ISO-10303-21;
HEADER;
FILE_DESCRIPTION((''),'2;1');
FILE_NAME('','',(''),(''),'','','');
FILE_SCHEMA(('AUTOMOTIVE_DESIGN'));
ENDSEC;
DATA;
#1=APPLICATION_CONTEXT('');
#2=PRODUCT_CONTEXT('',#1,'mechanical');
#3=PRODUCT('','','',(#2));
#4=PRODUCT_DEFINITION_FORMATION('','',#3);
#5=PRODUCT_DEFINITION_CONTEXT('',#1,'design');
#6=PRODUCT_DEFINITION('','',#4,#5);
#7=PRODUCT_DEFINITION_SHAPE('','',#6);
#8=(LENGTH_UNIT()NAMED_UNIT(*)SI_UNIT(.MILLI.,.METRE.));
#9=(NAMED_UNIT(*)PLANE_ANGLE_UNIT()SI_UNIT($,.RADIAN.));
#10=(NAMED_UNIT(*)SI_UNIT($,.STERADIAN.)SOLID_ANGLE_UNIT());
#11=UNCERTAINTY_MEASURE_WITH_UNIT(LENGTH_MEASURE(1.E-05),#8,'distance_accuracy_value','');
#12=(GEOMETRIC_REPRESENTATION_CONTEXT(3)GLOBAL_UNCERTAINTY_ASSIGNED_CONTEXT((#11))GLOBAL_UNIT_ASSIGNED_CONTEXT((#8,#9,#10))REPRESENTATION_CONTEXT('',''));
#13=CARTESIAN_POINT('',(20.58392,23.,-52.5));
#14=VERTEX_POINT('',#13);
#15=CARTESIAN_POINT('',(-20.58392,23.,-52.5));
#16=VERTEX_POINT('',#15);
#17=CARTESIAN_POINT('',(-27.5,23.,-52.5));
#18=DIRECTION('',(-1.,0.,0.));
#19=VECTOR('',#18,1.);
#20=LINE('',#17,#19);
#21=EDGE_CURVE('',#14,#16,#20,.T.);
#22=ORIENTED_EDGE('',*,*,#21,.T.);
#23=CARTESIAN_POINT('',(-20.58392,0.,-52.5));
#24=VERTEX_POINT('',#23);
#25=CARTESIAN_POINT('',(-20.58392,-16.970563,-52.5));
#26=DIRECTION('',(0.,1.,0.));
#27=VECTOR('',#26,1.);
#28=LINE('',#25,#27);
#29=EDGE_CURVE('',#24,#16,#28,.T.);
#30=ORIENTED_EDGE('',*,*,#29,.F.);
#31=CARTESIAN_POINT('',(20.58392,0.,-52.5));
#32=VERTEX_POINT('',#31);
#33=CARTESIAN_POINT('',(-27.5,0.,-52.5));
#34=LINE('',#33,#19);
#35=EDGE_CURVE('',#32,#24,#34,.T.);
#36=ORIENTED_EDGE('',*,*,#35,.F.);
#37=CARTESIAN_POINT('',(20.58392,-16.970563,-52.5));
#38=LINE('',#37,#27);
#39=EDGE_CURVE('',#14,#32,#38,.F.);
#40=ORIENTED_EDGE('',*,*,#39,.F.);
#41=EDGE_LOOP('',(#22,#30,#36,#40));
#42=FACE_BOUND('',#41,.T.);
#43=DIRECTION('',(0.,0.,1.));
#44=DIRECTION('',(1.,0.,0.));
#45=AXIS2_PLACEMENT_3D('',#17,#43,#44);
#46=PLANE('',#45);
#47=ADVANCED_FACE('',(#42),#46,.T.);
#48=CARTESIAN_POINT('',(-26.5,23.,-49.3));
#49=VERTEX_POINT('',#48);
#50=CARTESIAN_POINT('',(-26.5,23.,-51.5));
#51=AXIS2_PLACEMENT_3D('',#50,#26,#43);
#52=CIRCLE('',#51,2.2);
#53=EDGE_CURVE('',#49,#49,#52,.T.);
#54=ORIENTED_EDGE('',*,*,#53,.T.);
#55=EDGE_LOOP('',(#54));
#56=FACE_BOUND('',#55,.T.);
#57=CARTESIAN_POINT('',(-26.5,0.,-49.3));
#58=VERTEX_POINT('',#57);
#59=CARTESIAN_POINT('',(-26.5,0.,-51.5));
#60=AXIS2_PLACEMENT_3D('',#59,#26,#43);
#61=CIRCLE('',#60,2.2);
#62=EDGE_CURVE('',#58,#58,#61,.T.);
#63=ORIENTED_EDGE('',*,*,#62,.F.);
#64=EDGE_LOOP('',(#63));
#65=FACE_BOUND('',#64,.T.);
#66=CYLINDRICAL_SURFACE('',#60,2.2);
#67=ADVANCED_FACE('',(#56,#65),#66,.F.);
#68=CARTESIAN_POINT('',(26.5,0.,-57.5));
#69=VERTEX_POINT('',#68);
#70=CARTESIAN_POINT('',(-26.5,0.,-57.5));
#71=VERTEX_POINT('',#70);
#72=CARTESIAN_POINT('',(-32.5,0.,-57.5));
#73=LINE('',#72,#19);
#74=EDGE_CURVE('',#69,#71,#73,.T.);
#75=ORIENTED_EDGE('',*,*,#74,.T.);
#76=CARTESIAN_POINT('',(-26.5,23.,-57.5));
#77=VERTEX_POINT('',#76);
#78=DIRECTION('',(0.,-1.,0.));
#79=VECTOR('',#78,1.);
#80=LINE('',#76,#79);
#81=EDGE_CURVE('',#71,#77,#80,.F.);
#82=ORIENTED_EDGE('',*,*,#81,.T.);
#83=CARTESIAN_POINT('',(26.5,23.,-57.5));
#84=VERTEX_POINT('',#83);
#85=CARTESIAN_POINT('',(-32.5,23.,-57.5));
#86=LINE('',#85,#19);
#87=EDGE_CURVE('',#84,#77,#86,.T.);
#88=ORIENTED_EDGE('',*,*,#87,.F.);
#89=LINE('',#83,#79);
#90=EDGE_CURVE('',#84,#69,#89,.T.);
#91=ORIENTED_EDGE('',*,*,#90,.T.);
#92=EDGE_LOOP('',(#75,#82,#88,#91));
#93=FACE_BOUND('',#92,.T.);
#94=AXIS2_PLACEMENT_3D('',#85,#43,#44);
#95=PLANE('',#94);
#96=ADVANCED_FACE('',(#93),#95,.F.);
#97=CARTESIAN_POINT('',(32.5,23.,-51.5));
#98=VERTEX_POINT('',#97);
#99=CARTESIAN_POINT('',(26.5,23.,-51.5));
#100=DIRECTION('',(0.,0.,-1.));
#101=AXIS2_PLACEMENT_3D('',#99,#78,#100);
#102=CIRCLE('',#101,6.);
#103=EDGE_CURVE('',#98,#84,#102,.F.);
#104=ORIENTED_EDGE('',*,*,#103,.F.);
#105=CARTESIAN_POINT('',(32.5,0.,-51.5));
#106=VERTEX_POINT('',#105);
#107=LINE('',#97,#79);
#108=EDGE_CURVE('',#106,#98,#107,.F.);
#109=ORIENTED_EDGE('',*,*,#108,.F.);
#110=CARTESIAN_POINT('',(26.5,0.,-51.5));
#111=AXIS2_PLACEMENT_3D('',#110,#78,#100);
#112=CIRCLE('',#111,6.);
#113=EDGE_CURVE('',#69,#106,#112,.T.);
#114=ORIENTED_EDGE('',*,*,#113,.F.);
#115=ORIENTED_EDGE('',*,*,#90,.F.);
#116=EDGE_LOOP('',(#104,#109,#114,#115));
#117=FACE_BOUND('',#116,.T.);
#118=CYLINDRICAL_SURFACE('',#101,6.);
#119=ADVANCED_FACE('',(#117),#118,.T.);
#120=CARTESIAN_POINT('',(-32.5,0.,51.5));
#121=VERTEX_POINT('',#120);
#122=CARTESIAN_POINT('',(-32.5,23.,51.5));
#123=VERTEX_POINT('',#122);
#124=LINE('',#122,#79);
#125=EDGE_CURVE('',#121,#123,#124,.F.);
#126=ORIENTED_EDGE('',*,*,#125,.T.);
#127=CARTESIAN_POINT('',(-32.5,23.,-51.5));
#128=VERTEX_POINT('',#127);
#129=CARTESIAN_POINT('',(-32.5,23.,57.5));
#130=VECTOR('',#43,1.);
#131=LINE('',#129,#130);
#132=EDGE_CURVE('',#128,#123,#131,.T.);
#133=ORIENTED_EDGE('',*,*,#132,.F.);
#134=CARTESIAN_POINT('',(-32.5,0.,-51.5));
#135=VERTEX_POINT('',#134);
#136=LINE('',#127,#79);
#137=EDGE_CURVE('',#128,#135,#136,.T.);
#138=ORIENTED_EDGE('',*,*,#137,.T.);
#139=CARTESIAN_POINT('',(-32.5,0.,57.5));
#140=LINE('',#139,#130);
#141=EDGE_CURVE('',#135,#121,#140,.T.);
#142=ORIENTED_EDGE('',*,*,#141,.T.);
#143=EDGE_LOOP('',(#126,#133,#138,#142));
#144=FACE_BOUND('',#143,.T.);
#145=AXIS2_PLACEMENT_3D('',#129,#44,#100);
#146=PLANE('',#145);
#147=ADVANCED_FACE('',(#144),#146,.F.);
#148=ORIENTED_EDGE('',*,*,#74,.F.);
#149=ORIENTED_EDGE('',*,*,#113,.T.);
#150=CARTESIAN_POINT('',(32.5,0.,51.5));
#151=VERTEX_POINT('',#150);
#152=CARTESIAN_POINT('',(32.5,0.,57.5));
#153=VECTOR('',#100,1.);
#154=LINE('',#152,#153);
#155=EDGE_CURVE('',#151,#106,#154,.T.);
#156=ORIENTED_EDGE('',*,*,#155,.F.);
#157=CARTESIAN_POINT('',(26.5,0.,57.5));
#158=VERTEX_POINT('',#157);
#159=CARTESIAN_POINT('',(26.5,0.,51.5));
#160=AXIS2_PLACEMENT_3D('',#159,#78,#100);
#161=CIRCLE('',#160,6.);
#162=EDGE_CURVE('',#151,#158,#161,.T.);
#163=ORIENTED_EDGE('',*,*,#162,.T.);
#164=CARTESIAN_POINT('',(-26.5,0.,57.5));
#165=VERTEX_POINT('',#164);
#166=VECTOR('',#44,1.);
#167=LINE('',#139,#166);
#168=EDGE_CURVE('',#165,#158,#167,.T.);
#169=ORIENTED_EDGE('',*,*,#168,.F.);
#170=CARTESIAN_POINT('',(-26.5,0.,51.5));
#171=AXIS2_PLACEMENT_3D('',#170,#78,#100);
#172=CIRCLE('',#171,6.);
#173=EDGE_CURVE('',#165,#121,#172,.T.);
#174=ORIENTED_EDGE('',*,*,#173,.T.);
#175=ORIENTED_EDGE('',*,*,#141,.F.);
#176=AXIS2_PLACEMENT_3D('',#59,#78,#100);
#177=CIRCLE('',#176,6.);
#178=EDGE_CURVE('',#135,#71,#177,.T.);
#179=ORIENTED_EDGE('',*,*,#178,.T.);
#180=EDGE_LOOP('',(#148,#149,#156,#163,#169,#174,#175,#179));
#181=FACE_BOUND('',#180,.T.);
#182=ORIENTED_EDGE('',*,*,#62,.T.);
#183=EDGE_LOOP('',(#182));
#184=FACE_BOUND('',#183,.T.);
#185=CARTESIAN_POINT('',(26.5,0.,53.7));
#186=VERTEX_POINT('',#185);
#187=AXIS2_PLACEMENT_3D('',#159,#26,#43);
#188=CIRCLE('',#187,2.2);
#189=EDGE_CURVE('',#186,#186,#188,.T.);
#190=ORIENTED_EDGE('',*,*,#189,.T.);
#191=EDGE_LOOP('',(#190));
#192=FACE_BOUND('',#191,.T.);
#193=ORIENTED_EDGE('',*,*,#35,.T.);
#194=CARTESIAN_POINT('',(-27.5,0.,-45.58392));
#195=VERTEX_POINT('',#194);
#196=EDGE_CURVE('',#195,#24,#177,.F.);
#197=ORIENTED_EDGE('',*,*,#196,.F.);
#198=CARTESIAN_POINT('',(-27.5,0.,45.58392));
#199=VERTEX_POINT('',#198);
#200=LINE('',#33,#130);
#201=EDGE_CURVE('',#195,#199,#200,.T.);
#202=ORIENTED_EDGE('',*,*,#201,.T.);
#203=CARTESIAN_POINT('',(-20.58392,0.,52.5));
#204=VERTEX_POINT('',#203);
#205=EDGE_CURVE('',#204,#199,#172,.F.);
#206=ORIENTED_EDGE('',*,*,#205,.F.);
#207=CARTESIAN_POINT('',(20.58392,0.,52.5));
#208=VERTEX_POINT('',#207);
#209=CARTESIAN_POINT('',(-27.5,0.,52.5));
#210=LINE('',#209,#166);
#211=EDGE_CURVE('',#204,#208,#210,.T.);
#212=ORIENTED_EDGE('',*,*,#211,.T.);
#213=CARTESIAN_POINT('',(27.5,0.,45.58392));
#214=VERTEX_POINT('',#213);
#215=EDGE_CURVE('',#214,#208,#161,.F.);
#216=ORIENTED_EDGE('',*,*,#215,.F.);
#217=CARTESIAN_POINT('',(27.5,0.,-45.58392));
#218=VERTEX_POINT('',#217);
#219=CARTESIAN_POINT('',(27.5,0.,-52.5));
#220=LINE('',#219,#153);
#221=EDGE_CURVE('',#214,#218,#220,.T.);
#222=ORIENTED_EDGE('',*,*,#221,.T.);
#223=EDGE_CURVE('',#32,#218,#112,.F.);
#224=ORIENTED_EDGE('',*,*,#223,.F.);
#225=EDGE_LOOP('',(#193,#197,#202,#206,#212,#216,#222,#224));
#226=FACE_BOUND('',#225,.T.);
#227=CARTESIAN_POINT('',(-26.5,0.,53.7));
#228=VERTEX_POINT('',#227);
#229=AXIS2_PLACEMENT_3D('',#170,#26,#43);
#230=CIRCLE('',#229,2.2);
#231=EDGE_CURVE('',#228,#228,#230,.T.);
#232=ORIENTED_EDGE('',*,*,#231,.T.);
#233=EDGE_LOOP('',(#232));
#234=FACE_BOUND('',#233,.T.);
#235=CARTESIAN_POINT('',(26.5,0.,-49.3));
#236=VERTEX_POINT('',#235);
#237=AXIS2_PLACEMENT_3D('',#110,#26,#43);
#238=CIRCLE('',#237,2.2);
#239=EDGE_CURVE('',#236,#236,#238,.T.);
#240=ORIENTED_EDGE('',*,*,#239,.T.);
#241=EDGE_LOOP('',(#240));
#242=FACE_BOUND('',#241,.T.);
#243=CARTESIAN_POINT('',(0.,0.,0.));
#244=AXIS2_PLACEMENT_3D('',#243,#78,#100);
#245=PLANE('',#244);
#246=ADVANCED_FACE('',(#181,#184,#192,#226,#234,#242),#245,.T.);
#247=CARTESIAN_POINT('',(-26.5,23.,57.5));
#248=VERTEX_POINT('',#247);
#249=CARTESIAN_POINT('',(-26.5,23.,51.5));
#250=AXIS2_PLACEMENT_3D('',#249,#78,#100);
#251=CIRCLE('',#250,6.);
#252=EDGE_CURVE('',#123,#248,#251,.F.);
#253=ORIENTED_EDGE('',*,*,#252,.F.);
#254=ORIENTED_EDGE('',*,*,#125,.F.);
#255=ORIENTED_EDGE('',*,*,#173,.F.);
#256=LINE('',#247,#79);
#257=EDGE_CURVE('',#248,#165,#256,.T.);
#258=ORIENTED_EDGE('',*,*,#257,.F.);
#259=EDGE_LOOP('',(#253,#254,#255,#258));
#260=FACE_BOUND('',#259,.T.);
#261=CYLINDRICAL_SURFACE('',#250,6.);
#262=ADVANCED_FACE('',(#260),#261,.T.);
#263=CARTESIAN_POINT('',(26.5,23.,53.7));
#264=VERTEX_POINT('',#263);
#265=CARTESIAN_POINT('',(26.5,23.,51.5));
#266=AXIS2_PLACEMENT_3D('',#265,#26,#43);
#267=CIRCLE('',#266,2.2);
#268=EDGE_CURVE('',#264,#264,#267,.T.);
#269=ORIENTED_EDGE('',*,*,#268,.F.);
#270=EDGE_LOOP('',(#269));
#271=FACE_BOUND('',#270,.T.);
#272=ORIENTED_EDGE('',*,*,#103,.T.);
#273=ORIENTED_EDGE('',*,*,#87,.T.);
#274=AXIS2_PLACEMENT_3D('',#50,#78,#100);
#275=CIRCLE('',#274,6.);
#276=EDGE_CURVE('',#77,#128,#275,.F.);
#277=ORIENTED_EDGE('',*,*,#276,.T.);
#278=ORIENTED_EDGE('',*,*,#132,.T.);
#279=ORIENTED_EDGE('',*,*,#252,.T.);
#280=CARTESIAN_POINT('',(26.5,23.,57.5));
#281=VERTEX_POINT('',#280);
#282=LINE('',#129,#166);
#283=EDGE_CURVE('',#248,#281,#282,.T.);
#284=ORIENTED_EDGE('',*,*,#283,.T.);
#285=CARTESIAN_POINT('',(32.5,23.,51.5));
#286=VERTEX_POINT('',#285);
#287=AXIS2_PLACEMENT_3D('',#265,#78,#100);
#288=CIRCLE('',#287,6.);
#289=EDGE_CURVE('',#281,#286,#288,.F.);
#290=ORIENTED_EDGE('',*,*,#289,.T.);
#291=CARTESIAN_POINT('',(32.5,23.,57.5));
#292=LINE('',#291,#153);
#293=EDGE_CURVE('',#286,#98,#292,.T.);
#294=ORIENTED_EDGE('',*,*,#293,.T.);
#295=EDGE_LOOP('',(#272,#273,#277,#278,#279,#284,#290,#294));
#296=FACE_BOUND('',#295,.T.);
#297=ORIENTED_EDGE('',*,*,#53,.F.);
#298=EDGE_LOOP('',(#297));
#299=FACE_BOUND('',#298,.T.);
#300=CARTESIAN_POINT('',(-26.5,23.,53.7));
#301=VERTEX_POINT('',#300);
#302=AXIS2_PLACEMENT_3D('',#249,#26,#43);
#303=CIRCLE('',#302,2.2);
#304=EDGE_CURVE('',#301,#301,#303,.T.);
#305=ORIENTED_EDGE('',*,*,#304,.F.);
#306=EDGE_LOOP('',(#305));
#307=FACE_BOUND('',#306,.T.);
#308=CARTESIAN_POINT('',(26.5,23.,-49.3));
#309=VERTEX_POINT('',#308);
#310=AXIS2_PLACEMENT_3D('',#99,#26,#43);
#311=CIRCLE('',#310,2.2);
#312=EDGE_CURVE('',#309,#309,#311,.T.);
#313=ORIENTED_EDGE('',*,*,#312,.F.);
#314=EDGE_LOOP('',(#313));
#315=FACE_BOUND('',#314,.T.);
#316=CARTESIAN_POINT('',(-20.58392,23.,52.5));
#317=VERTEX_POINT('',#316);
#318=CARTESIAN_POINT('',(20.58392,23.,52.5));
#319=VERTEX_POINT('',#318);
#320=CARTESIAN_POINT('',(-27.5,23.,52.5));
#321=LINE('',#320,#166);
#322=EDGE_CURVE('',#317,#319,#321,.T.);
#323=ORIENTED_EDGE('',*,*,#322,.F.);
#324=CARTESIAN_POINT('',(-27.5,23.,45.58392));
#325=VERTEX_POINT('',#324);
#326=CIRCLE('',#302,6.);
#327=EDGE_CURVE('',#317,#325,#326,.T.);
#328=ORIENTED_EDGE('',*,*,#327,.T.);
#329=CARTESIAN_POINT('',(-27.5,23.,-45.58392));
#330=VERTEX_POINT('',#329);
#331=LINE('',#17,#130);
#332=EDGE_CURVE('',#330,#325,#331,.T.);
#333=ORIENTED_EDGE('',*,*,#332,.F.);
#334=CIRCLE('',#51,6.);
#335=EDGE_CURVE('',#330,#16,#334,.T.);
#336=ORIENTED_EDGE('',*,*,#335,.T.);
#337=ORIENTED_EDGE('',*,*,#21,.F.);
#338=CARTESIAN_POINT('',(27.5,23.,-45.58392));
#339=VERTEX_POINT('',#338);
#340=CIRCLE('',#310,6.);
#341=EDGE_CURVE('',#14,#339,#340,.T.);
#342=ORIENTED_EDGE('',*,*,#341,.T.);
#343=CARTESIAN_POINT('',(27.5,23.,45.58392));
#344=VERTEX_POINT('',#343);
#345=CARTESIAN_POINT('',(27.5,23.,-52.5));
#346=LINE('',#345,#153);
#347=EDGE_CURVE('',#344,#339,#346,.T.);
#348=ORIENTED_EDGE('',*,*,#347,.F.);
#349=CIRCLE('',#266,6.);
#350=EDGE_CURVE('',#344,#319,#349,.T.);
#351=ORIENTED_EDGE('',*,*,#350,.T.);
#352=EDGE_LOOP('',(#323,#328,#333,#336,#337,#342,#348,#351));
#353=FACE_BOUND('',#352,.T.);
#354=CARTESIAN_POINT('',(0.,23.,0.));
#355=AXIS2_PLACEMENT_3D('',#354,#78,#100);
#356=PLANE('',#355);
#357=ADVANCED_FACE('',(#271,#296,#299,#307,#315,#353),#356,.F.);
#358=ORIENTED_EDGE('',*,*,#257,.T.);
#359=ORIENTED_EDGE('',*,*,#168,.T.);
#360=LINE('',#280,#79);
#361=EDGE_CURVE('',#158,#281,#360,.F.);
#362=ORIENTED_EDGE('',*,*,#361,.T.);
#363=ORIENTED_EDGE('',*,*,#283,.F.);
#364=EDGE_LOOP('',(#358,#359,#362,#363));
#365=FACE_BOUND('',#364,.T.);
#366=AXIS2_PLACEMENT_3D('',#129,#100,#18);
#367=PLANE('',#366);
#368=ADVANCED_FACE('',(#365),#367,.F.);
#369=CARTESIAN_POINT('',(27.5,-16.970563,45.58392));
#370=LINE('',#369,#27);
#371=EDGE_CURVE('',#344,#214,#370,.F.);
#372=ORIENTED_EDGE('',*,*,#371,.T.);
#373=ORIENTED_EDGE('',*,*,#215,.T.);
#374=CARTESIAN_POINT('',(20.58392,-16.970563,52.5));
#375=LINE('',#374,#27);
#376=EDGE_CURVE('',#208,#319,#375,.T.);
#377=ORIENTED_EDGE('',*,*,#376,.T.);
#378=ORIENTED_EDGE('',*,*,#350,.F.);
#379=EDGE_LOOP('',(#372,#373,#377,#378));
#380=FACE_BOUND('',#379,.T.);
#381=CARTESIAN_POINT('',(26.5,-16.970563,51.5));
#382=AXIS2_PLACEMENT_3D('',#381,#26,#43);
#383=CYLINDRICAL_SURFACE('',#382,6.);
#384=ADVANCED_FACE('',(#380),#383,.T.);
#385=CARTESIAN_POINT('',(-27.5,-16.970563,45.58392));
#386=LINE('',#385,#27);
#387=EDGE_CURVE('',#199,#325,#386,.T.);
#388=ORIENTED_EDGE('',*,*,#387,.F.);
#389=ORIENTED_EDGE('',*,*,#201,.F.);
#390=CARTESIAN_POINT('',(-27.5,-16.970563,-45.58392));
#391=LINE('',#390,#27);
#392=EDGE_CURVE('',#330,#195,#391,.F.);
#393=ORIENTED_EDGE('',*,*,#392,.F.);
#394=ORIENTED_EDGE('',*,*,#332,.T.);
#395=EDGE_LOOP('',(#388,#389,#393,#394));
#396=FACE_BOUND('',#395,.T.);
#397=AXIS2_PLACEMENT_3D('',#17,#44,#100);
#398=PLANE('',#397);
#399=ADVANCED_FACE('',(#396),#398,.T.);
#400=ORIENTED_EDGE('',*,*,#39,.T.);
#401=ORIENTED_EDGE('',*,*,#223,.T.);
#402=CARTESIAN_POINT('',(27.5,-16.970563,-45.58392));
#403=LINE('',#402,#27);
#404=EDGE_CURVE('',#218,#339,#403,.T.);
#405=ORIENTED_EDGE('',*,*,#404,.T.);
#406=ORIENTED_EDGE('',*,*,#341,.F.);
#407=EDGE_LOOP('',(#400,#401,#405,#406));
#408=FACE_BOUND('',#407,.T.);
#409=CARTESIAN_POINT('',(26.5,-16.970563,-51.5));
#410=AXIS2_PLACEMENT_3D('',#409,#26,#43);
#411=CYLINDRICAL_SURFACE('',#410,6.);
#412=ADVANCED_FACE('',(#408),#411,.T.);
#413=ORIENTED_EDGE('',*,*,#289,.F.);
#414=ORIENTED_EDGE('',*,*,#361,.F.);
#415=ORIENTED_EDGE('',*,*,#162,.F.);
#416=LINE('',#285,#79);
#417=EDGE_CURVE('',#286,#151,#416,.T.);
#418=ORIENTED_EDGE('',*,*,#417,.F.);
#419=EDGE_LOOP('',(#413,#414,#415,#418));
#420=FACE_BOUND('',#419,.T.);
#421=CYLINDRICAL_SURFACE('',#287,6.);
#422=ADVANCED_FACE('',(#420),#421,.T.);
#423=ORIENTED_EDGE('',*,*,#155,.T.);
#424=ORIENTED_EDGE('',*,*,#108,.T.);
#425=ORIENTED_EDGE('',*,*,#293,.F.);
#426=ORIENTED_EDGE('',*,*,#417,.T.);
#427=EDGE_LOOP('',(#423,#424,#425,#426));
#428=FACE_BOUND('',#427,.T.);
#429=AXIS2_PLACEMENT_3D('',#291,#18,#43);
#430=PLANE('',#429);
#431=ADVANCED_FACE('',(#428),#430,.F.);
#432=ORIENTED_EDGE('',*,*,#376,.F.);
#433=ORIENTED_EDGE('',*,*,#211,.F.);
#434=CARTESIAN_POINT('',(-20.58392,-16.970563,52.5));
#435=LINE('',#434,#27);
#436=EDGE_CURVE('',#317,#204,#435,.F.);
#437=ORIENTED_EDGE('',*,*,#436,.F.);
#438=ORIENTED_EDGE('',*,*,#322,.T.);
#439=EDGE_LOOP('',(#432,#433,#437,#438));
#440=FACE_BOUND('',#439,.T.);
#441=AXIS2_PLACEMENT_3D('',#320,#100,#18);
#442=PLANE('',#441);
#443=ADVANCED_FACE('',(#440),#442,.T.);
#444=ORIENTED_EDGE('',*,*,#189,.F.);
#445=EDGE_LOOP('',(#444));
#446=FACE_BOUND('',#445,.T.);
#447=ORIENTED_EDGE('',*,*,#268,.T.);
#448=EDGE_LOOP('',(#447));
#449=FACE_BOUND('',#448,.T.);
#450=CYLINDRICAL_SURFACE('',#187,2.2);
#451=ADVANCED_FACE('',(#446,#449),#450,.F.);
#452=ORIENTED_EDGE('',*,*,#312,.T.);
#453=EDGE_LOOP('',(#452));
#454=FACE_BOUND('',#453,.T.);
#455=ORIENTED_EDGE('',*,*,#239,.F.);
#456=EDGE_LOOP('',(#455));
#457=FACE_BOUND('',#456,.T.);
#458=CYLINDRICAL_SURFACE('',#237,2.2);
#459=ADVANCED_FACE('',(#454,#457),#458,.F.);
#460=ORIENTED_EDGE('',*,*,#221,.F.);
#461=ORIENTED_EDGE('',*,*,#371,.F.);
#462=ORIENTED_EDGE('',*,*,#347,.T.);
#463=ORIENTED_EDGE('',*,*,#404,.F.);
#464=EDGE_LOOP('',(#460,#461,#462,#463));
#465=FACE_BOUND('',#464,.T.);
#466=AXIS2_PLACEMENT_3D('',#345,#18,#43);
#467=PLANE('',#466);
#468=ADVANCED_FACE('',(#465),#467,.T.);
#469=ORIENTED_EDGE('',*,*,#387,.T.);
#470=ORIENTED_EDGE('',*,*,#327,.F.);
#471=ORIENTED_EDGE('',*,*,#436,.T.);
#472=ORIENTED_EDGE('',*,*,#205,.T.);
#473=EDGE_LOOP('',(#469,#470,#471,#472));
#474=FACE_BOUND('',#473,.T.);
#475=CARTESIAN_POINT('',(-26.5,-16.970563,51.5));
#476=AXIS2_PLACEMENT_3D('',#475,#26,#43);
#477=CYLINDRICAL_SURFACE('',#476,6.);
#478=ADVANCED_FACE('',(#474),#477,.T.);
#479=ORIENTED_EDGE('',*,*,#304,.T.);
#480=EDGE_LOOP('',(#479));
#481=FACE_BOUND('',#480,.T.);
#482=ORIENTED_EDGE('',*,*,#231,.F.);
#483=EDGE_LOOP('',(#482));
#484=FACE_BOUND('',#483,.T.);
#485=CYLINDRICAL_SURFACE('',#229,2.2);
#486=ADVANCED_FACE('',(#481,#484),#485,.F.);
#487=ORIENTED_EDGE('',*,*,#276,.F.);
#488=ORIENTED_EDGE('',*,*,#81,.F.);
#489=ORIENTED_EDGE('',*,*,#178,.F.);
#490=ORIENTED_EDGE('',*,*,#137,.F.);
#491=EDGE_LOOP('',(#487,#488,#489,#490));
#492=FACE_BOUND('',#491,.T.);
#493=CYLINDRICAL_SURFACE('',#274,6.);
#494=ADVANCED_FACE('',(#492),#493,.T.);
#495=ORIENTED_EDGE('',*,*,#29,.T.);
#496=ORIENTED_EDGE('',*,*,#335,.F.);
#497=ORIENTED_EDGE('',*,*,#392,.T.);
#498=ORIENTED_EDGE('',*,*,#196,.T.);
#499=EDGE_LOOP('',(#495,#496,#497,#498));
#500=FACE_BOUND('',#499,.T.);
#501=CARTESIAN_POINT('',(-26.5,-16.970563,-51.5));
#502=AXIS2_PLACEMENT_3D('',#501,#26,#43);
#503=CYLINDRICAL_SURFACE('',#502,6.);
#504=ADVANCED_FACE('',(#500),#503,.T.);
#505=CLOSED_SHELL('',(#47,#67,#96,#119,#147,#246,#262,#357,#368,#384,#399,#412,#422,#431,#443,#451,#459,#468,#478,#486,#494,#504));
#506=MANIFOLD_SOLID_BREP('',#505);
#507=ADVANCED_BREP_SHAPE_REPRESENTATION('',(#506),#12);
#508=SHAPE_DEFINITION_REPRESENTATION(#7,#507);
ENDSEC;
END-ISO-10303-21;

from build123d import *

# Parameters (mm, degrees)
SKETCH1_W           = 65
SKETCH1_H           = 115
SKETCH1_W_2         = 55
SKETCH1_H_2         = 105
BOSS_EXTRUDE1_DEPTH = 23
FILLET1_R           = 6
SKETCH2_R           = 6
BOSS_EXTRUDE2_DEPTH = 23
SKETCH4_R           = 2.2
CUT_EXTRUDE1_DEPTH  = 23


with BuildPart() as part:
    # Sketch1 → Boss-Extrude1 (new body)
    with BuildSketch(Plane(origin=(0, 0, 0), x_dir=(1, 0, 0), z_dir=(0, 1, 0))):
        Rectangle(SKETCH1_W, SKETCH1_H)
        Rectangle(SKETCH1_W_2, SKETCH1_H_2, mode=Mode.SUBTRACT)
    extrude(amount=BOSS_EXTRUDE1_DEPTH)

    # Fillet1
    fillet1_edges = [part.edges().sort_by_distance(p)[0] for p in [
        (32.5, 11.5, 57.5),
        (-32.5, 11.5, 57.5),
        (-32.5, 11.5, -57.5),
        (32.5, 11.5, -57.5),
    ]]
    fillet(fillet1_edges, radius=FILLET1_R)

    # Sketch2 → Boss-Extrude2 (add)
    with BuildSketch(Plane(origin=(0, 23, 0), x_dir=(1, 0, 0), z_dir=(0, 1, 0))):
        with Locations((-26.5, 51.5)):
            Circle(SKETCH2_R)
        with Locations((26.5, 51.5)):
            Circle(SKETCH2_R)
        with Locations((-26.5, -51.5)):
            Circle(SKETCH2_R)
        with Locations((26.5, -51.5)):
            Circle(SKETCH2_R)
    extrude(amount=-BOSS_EXTRUDE2_DEPTH)

    # Sketch4 → Cut-Extrude1 (cut)
    with BuildSketch(Plane(origin=(0, 23, 0), x_dir=(1, 0, 0), z_dir=(0, 1, 0))):
        with Locations(Location((-26.5, 51.5, 0), (0, 0, 270))):
            Circle(SKETCH4_R)
        with Locations(Location((26.5, 51.5, 0), (0, 0, 270))):
            Circle(SKETCH4_R)
        with Locations(Location((26.5, -51.5, 0), (0, 0, 270))):
            Circle(SKETCH4_R)
        with Locations(Location((-26.5, -51.5, 0), (0, 0, 270))):
            Circle(SKETCH4_R)
    extrude(amount=-CUT_EXTRUDE1_DEPTH, mode=Mode.SUBTRACT)


solid = part.part
